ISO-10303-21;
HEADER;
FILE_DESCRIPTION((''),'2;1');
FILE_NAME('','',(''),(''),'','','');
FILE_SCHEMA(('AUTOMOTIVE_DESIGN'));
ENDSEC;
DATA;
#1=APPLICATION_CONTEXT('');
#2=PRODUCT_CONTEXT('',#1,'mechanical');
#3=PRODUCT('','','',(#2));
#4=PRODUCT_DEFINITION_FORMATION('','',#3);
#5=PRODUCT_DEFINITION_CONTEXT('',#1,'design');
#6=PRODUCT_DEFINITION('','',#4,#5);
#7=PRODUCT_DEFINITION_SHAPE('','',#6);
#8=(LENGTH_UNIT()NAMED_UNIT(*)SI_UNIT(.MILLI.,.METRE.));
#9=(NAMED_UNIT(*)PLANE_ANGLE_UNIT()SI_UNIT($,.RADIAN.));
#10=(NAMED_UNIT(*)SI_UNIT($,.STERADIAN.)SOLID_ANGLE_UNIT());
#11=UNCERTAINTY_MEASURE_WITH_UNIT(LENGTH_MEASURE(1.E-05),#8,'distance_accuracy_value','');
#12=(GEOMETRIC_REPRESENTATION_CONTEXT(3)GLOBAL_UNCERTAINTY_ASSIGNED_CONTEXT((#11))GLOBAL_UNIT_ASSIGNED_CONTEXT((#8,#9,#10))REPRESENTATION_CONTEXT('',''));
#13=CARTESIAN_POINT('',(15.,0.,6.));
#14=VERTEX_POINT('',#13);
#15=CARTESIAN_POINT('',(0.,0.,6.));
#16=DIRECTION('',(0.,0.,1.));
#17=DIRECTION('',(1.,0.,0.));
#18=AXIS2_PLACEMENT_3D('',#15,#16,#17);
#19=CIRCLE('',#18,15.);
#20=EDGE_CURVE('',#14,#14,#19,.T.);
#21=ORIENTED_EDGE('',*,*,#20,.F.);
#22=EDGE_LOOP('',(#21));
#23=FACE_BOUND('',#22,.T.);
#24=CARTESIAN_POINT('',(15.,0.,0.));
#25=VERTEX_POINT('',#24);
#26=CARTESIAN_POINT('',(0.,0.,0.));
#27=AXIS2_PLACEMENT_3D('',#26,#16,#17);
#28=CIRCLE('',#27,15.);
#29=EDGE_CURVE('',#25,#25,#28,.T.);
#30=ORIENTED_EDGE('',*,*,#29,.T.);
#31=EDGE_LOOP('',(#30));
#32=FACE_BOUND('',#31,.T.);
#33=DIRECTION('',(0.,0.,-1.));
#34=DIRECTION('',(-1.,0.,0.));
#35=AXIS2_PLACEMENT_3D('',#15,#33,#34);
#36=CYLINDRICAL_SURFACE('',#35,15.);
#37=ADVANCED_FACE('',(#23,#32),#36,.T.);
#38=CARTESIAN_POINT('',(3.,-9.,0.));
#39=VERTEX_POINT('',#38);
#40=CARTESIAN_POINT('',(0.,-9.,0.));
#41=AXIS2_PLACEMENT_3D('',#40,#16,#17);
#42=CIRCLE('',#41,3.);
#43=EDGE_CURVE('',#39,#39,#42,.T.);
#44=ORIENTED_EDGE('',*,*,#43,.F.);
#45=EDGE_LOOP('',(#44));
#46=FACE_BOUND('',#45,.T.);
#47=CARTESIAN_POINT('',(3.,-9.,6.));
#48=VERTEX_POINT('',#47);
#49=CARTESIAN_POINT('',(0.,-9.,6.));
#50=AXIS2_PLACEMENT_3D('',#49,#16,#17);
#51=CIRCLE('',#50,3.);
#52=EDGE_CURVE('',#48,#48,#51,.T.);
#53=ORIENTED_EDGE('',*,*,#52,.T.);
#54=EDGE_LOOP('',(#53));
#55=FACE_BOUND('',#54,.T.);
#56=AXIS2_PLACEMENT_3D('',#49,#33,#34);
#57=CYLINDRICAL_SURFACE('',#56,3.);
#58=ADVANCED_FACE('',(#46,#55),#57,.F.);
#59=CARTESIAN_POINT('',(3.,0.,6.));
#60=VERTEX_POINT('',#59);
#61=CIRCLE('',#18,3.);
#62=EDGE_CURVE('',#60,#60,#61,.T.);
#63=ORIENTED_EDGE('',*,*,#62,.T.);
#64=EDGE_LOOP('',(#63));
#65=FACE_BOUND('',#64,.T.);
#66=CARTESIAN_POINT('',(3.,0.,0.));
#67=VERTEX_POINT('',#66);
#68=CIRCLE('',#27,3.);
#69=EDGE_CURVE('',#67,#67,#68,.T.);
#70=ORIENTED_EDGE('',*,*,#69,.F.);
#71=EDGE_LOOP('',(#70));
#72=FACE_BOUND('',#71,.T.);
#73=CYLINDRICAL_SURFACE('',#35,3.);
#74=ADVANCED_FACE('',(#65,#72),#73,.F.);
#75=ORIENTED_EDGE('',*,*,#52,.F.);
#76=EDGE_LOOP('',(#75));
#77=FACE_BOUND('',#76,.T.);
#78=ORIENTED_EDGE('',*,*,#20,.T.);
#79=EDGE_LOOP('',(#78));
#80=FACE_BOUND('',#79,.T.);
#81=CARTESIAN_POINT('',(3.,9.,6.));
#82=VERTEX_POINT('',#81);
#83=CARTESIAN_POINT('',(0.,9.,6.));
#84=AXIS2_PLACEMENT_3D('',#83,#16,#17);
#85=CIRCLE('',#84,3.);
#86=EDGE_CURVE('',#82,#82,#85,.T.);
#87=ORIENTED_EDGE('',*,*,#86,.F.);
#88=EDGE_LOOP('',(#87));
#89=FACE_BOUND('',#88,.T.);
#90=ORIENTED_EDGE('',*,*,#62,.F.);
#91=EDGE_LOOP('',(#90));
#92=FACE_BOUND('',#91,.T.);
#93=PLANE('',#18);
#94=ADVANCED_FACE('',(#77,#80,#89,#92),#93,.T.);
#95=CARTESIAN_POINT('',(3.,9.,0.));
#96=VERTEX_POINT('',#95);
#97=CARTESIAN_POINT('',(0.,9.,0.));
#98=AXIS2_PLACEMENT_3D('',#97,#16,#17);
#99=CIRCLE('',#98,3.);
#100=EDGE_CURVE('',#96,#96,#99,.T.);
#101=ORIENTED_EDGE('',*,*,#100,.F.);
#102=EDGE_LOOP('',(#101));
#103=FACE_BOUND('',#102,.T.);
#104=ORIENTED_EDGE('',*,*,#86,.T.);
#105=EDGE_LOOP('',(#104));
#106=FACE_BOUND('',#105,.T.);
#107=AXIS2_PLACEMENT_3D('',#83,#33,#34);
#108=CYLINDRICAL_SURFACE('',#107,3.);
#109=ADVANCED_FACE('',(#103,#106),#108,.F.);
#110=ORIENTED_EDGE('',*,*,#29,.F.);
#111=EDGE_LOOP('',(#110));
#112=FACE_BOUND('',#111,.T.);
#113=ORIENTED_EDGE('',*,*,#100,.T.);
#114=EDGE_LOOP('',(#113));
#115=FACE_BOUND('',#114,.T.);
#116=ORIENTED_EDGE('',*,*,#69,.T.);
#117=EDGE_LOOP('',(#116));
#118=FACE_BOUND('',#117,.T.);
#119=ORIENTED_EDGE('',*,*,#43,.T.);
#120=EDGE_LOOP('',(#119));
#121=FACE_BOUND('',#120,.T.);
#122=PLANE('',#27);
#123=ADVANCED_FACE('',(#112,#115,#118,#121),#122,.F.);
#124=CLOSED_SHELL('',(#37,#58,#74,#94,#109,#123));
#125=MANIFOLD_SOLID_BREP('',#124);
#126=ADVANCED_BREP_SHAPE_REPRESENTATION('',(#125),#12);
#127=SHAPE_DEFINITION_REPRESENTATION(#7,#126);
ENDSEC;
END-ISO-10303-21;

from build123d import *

# Parameters (mm, degrees)
ESBO_O1_R                = 15
ESBO_O1_R_2              = 3
RESSALTO_EXTRUS_O1_DEPTH = 6


with BuildPart() as part:
    # Esboço1 → Ressalto-extrusão1 (new body)
    with BuildSketch(Plane.XY):
        Circle(ESBO_O1_R)
        Circle(ESBO_O1_R_2, mode=Mode.SUBTRACT)
        with Locations((0, 9)):
            Circle(ESBO_O1_R_2, mode=Mode.SUBTRACT)
        with Locations((0, -9)):
            Circle(ESBO_O1_R_2, mode=Mode.SUBTRACT)
    extrude(amount=RESSALTO_EXTRUS_O1_DEPTH)


solid = part.part
